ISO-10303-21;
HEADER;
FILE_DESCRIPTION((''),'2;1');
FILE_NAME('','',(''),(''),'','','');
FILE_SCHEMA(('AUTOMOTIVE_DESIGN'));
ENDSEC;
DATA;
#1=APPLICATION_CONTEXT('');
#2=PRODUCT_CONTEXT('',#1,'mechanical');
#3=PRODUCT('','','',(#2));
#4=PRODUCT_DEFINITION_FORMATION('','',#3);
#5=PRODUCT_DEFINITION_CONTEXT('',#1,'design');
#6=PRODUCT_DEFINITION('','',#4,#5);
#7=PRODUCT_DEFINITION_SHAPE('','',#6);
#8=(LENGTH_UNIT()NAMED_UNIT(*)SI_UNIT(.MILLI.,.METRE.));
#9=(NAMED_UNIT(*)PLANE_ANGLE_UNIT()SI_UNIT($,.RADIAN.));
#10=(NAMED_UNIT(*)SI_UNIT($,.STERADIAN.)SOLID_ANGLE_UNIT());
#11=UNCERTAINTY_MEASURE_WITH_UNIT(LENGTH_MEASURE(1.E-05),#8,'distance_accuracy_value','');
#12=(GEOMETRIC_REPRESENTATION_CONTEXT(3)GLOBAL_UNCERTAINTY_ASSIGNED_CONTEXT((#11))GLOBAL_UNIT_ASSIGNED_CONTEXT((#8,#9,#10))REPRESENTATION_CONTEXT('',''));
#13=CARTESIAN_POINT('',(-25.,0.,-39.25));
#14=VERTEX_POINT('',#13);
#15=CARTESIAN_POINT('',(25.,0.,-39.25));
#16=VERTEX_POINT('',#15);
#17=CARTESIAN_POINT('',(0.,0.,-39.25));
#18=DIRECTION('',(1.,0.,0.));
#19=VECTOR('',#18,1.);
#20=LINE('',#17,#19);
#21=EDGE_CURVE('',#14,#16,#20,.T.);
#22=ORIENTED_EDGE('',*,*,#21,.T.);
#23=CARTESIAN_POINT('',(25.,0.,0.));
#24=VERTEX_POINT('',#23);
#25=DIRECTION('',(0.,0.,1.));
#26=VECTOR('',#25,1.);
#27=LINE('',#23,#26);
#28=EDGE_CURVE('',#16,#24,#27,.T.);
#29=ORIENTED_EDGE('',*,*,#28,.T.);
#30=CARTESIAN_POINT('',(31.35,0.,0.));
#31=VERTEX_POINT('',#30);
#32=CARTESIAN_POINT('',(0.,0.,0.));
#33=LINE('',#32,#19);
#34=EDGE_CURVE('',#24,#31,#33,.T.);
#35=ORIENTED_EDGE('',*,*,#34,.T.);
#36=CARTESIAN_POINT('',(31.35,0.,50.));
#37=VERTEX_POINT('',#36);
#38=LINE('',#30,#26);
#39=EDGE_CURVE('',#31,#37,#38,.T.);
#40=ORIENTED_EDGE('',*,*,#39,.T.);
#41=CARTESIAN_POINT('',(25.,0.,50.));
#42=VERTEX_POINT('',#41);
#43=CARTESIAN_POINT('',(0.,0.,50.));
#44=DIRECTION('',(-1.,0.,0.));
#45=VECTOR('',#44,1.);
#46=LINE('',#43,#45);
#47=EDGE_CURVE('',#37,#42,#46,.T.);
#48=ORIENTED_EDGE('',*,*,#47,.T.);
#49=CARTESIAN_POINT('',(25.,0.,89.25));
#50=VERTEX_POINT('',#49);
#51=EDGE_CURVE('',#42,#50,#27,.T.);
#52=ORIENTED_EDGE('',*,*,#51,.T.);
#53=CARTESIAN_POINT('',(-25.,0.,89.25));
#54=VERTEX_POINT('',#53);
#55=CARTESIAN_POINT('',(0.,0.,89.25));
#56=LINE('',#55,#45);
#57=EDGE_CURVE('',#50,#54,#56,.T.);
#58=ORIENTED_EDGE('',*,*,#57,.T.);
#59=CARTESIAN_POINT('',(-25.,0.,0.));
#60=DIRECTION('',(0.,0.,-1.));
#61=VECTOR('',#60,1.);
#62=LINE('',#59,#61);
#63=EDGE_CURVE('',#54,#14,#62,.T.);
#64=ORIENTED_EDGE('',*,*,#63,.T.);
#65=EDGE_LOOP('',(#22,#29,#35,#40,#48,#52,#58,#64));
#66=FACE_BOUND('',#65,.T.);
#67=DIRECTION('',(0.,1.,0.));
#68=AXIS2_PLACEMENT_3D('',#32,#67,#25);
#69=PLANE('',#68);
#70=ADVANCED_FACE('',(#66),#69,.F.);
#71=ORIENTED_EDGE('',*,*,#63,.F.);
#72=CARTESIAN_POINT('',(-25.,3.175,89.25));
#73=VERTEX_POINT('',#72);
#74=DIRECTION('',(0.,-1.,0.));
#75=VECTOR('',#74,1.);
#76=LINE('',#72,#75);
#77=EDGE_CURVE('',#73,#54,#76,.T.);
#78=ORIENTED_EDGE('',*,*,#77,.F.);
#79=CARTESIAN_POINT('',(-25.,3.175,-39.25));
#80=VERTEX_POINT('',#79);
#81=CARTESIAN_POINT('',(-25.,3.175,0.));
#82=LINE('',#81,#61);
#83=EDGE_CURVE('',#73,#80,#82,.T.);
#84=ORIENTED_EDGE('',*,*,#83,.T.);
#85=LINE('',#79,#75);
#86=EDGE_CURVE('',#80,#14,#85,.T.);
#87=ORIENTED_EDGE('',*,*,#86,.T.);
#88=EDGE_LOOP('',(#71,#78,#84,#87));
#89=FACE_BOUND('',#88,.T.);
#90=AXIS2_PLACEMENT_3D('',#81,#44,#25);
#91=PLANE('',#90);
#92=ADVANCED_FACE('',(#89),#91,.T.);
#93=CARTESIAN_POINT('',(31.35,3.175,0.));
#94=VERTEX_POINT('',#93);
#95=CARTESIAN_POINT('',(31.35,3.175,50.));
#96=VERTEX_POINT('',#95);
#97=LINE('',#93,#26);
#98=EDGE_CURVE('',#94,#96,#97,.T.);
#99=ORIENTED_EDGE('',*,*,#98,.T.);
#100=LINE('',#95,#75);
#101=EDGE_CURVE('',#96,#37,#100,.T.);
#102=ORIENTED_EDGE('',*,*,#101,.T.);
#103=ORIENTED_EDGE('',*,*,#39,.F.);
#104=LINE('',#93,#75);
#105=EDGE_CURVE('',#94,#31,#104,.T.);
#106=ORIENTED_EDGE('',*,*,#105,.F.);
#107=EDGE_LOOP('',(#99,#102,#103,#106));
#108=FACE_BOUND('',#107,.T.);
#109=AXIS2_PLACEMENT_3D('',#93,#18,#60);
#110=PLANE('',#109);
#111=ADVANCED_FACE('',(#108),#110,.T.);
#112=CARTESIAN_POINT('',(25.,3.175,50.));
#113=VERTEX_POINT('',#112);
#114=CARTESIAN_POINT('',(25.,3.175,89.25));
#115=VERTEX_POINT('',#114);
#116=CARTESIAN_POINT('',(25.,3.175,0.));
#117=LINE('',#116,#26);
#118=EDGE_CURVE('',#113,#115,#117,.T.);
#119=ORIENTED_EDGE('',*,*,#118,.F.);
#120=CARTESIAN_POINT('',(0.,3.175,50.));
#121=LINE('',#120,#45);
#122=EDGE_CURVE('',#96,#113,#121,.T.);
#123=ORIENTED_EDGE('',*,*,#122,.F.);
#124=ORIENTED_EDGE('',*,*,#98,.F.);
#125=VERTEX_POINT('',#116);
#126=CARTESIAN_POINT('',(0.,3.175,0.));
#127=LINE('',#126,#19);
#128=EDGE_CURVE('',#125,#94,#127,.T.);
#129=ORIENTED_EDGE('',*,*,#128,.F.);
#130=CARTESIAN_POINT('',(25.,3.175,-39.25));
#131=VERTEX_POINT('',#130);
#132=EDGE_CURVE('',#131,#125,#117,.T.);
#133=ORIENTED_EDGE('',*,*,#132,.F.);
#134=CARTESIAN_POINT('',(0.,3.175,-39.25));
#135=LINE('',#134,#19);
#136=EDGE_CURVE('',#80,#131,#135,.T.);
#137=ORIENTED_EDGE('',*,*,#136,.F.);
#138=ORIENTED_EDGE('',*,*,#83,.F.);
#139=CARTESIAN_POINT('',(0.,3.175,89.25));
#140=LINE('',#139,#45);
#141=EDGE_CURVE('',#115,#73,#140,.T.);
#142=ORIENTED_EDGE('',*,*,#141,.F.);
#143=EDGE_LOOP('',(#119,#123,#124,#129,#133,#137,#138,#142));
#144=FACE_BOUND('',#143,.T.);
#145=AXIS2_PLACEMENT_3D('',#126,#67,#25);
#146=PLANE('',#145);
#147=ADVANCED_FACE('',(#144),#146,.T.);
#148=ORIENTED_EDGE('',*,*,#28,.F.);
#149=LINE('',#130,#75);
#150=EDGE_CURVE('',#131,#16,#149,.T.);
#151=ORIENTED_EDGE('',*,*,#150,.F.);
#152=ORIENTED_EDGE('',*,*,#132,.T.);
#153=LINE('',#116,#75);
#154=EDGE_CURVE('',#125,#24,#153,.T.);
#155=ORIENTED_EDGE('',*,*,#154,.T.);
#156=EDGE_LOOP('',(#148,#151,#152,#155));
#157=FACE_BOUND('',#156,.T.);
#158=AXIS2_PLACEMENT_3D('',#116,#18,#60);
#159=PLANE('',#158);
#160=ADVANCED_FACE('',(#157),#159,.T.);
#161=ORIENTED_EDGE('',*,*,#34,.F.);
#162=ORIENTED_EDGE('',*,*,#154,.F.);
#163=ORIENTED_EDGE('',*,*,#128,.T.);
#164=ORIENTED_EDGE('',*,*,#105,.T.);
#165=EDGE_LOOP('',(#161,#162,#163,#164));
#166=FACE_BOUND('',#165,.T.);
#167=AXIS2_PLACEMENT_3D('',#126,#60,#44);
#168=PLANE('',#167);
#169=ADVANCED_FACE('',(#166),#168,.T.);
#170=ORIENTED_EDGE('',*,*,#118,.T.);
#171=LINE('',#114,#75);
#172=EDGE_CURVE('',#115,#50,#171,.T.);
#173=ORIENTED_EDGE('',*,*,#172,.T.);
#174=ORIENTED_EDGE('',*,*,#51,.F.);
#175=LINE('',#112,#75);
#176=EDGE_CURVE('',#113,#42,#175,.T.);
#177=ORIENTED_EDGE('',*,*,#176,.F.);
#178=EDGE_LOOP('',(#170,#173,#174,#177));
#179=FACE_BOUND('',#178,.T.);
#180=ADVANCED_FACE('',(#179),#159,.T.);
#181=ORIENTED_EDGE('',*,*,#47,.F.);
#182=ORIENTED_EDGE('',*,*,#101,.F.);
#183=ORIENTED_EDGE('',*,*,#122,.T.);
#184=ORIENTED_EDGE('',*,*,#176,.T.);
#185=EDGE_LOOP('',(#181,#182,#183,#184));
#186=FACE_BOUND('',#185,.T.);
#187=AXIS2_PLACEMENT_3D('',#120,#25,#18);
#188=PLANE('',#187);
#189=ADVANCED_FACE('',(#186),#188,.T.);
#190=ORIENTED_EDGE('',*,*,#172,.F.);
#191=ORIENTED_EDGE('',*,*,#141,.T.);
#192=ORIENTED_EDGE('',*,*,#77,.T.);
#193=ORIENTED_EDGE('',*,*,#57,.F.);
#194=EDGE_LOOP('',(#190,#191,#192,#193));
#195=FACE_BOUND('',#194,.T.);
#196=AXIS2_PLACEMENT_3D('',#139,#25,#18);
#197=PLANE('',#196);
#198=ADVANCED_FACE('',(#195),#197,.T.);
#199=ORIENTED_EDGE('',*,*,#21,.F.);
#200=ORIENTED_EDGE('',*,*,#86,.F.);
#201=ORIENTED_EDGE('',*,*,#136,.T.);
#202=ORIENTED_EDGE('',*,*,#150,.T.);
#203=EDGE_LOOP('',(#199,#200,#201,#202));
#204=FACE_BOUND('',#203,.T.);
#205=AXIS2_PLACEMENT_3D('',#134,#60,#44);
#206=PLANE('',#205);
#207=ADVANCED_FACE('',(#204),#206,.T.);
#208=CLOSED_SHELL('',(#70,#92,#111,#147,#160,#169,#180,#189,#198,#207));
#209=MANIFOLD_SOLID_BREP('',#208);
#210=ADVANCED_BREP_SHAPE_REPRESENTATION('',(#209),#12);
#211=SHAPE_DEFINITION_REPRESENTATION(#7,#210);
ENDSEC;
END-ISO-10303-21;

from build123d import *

# Parameters (mm, degrees)
BOSS_EXTRUDE1_DEPTH = 3.175


with BuildPart() as part:
    # Sketch1 → Boss-Extrude1 (new body)
    with BuildSketch(Plane(origin=(0, 0, 0), x_dir=(1, 0, 0), z_dir=(0, 1, 0))):
        Polygon((-25, 0), (-25, 39.25), (25, 39.25), (25, 0), (31.35, 0), (31.35, -50), (25, -50), (25, -89.25), (-25, -89.25), (-25, -50), align=None)
    extrude(amount=BOSS_EXTRUDE1_DEPTH)


solid = part.part
